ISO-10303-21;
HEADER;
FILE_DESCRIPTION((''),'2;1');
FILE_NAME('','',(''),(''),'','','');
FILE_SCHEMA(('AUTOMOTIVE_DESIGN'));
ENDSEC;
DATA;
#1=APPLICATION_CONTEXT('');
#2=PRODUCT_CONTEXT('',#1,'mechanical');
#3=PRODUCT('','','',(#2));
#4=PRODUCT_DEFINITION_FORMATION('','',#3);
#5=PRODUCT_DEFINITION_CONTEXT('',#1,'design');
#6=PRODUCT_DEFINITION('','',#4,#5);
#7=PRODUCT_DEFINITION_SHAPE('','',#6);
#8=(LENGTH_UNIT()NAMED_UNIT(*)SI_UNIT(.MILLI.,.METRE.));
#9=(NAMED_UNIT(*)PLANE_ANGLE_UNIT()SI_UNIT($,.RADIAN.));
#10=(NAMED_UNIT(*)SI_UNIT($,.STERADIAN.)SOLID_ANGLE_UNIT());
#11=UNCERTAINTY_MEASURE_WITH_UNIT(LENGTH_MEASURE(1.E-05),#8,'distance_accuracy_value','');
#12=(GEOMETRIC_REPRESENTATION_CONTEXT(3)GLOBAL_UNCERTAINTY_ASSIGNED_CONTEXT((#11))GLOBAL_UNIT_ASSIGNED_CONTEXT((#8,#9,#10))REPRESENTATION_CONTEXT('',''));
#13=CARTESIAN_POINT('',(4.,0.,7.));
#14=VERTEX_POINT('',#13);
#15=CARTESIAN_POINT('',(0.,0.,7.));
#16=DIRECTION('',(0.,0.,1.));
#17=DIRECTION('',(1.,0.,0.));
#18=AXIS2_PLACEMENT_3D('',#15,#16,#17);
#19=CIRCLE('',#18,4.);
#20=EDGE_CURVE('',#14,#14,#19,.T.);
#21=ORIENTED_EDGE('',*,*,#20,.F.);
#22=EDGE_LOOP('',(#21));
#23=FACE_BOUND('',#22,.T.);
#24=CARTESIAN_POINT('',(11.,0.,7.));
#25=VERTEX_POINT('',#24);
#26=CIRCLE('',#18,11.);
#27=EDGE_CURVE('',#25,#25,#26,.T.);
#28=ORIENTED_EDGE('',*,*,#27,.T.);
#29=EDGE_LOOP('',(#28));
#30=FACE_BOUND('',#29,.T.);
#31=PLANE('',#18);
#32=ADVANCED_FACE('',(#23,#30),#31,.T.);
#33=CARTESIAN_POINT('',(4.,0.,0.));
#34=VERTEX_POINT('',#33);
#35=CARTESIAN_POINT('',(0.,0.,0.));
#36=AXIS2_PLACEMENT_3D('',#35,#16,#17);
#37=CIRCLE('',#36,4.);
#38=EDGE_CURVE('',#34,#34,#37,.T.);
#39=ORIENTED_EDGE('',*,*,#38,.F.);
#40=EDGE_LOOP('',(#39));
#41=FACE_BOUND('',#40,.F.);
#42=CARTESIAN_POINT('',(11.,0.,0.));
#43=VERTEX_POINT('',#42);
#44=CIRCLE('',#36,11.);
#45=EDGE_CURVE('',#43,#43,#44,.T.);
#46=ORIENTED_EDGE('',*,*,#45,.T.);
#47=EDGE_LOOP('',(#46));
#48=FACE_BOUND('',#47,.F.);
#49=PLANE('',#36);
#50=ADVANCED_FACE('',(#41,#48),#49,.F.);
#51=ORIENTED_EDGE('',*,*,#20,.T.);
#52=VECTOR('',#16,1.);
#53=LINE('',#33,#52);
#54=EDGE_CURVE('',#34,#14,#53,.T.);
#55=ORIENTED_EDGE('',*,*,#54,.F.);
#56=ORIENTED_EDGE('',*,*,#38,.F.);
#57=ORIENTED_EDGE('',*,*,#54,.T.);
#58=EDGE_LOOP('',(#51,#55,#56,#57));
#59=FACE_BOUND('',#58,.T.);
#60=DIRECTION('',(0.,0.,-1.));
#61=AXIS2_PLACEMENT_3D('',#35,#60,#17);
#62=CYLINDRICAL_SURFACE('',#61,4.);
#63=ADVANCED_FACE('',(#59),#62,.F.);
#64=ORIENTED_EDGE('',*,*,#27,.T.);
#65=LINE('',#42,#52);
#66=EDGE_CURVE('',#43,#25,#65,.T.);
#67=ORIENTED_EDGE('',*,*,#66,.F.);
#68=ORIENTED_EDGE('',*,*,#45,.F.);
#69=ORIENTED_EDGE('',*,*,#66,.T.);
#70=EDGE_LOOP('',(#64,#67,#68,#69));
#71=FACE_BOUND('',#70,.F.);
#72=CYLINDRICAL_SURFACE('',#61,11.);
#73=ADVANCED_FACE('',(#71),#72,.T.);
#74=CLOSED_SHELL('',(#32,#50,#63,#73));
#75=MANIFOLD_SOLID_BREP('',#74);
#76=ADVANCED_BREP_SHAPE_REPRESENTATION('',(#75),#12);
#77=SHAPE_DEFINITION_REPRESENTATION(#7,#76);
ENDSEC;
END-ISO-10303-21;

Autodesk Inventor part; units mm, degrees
ref_plane "YZ Plane" through (0, 0, 0) normal (1, 0, 0) x (0, 1, 0)
ref_plane "XZ Plane" through (0, 0, 0) normal (0, 1, 0) x (-1, 0, 0)
ref_plane "XY Plane" through (0, 0, 0) normal (0, 0, 1) x (1, 0, 0)
sketch "Esquisse1" plane through (0, 0, 0) normal (0, 0, 1) x (1, 0, 0)
  circle A0 centre (0, 0) radius 4
  circle A1 centre (0, 0) radius 11
  dimension "d0" = 8
  dimension "d1" = 22
extrude "Extrusion1" add sketch "Esquisse1" along normal blind 7
properties part number "Roulement"
